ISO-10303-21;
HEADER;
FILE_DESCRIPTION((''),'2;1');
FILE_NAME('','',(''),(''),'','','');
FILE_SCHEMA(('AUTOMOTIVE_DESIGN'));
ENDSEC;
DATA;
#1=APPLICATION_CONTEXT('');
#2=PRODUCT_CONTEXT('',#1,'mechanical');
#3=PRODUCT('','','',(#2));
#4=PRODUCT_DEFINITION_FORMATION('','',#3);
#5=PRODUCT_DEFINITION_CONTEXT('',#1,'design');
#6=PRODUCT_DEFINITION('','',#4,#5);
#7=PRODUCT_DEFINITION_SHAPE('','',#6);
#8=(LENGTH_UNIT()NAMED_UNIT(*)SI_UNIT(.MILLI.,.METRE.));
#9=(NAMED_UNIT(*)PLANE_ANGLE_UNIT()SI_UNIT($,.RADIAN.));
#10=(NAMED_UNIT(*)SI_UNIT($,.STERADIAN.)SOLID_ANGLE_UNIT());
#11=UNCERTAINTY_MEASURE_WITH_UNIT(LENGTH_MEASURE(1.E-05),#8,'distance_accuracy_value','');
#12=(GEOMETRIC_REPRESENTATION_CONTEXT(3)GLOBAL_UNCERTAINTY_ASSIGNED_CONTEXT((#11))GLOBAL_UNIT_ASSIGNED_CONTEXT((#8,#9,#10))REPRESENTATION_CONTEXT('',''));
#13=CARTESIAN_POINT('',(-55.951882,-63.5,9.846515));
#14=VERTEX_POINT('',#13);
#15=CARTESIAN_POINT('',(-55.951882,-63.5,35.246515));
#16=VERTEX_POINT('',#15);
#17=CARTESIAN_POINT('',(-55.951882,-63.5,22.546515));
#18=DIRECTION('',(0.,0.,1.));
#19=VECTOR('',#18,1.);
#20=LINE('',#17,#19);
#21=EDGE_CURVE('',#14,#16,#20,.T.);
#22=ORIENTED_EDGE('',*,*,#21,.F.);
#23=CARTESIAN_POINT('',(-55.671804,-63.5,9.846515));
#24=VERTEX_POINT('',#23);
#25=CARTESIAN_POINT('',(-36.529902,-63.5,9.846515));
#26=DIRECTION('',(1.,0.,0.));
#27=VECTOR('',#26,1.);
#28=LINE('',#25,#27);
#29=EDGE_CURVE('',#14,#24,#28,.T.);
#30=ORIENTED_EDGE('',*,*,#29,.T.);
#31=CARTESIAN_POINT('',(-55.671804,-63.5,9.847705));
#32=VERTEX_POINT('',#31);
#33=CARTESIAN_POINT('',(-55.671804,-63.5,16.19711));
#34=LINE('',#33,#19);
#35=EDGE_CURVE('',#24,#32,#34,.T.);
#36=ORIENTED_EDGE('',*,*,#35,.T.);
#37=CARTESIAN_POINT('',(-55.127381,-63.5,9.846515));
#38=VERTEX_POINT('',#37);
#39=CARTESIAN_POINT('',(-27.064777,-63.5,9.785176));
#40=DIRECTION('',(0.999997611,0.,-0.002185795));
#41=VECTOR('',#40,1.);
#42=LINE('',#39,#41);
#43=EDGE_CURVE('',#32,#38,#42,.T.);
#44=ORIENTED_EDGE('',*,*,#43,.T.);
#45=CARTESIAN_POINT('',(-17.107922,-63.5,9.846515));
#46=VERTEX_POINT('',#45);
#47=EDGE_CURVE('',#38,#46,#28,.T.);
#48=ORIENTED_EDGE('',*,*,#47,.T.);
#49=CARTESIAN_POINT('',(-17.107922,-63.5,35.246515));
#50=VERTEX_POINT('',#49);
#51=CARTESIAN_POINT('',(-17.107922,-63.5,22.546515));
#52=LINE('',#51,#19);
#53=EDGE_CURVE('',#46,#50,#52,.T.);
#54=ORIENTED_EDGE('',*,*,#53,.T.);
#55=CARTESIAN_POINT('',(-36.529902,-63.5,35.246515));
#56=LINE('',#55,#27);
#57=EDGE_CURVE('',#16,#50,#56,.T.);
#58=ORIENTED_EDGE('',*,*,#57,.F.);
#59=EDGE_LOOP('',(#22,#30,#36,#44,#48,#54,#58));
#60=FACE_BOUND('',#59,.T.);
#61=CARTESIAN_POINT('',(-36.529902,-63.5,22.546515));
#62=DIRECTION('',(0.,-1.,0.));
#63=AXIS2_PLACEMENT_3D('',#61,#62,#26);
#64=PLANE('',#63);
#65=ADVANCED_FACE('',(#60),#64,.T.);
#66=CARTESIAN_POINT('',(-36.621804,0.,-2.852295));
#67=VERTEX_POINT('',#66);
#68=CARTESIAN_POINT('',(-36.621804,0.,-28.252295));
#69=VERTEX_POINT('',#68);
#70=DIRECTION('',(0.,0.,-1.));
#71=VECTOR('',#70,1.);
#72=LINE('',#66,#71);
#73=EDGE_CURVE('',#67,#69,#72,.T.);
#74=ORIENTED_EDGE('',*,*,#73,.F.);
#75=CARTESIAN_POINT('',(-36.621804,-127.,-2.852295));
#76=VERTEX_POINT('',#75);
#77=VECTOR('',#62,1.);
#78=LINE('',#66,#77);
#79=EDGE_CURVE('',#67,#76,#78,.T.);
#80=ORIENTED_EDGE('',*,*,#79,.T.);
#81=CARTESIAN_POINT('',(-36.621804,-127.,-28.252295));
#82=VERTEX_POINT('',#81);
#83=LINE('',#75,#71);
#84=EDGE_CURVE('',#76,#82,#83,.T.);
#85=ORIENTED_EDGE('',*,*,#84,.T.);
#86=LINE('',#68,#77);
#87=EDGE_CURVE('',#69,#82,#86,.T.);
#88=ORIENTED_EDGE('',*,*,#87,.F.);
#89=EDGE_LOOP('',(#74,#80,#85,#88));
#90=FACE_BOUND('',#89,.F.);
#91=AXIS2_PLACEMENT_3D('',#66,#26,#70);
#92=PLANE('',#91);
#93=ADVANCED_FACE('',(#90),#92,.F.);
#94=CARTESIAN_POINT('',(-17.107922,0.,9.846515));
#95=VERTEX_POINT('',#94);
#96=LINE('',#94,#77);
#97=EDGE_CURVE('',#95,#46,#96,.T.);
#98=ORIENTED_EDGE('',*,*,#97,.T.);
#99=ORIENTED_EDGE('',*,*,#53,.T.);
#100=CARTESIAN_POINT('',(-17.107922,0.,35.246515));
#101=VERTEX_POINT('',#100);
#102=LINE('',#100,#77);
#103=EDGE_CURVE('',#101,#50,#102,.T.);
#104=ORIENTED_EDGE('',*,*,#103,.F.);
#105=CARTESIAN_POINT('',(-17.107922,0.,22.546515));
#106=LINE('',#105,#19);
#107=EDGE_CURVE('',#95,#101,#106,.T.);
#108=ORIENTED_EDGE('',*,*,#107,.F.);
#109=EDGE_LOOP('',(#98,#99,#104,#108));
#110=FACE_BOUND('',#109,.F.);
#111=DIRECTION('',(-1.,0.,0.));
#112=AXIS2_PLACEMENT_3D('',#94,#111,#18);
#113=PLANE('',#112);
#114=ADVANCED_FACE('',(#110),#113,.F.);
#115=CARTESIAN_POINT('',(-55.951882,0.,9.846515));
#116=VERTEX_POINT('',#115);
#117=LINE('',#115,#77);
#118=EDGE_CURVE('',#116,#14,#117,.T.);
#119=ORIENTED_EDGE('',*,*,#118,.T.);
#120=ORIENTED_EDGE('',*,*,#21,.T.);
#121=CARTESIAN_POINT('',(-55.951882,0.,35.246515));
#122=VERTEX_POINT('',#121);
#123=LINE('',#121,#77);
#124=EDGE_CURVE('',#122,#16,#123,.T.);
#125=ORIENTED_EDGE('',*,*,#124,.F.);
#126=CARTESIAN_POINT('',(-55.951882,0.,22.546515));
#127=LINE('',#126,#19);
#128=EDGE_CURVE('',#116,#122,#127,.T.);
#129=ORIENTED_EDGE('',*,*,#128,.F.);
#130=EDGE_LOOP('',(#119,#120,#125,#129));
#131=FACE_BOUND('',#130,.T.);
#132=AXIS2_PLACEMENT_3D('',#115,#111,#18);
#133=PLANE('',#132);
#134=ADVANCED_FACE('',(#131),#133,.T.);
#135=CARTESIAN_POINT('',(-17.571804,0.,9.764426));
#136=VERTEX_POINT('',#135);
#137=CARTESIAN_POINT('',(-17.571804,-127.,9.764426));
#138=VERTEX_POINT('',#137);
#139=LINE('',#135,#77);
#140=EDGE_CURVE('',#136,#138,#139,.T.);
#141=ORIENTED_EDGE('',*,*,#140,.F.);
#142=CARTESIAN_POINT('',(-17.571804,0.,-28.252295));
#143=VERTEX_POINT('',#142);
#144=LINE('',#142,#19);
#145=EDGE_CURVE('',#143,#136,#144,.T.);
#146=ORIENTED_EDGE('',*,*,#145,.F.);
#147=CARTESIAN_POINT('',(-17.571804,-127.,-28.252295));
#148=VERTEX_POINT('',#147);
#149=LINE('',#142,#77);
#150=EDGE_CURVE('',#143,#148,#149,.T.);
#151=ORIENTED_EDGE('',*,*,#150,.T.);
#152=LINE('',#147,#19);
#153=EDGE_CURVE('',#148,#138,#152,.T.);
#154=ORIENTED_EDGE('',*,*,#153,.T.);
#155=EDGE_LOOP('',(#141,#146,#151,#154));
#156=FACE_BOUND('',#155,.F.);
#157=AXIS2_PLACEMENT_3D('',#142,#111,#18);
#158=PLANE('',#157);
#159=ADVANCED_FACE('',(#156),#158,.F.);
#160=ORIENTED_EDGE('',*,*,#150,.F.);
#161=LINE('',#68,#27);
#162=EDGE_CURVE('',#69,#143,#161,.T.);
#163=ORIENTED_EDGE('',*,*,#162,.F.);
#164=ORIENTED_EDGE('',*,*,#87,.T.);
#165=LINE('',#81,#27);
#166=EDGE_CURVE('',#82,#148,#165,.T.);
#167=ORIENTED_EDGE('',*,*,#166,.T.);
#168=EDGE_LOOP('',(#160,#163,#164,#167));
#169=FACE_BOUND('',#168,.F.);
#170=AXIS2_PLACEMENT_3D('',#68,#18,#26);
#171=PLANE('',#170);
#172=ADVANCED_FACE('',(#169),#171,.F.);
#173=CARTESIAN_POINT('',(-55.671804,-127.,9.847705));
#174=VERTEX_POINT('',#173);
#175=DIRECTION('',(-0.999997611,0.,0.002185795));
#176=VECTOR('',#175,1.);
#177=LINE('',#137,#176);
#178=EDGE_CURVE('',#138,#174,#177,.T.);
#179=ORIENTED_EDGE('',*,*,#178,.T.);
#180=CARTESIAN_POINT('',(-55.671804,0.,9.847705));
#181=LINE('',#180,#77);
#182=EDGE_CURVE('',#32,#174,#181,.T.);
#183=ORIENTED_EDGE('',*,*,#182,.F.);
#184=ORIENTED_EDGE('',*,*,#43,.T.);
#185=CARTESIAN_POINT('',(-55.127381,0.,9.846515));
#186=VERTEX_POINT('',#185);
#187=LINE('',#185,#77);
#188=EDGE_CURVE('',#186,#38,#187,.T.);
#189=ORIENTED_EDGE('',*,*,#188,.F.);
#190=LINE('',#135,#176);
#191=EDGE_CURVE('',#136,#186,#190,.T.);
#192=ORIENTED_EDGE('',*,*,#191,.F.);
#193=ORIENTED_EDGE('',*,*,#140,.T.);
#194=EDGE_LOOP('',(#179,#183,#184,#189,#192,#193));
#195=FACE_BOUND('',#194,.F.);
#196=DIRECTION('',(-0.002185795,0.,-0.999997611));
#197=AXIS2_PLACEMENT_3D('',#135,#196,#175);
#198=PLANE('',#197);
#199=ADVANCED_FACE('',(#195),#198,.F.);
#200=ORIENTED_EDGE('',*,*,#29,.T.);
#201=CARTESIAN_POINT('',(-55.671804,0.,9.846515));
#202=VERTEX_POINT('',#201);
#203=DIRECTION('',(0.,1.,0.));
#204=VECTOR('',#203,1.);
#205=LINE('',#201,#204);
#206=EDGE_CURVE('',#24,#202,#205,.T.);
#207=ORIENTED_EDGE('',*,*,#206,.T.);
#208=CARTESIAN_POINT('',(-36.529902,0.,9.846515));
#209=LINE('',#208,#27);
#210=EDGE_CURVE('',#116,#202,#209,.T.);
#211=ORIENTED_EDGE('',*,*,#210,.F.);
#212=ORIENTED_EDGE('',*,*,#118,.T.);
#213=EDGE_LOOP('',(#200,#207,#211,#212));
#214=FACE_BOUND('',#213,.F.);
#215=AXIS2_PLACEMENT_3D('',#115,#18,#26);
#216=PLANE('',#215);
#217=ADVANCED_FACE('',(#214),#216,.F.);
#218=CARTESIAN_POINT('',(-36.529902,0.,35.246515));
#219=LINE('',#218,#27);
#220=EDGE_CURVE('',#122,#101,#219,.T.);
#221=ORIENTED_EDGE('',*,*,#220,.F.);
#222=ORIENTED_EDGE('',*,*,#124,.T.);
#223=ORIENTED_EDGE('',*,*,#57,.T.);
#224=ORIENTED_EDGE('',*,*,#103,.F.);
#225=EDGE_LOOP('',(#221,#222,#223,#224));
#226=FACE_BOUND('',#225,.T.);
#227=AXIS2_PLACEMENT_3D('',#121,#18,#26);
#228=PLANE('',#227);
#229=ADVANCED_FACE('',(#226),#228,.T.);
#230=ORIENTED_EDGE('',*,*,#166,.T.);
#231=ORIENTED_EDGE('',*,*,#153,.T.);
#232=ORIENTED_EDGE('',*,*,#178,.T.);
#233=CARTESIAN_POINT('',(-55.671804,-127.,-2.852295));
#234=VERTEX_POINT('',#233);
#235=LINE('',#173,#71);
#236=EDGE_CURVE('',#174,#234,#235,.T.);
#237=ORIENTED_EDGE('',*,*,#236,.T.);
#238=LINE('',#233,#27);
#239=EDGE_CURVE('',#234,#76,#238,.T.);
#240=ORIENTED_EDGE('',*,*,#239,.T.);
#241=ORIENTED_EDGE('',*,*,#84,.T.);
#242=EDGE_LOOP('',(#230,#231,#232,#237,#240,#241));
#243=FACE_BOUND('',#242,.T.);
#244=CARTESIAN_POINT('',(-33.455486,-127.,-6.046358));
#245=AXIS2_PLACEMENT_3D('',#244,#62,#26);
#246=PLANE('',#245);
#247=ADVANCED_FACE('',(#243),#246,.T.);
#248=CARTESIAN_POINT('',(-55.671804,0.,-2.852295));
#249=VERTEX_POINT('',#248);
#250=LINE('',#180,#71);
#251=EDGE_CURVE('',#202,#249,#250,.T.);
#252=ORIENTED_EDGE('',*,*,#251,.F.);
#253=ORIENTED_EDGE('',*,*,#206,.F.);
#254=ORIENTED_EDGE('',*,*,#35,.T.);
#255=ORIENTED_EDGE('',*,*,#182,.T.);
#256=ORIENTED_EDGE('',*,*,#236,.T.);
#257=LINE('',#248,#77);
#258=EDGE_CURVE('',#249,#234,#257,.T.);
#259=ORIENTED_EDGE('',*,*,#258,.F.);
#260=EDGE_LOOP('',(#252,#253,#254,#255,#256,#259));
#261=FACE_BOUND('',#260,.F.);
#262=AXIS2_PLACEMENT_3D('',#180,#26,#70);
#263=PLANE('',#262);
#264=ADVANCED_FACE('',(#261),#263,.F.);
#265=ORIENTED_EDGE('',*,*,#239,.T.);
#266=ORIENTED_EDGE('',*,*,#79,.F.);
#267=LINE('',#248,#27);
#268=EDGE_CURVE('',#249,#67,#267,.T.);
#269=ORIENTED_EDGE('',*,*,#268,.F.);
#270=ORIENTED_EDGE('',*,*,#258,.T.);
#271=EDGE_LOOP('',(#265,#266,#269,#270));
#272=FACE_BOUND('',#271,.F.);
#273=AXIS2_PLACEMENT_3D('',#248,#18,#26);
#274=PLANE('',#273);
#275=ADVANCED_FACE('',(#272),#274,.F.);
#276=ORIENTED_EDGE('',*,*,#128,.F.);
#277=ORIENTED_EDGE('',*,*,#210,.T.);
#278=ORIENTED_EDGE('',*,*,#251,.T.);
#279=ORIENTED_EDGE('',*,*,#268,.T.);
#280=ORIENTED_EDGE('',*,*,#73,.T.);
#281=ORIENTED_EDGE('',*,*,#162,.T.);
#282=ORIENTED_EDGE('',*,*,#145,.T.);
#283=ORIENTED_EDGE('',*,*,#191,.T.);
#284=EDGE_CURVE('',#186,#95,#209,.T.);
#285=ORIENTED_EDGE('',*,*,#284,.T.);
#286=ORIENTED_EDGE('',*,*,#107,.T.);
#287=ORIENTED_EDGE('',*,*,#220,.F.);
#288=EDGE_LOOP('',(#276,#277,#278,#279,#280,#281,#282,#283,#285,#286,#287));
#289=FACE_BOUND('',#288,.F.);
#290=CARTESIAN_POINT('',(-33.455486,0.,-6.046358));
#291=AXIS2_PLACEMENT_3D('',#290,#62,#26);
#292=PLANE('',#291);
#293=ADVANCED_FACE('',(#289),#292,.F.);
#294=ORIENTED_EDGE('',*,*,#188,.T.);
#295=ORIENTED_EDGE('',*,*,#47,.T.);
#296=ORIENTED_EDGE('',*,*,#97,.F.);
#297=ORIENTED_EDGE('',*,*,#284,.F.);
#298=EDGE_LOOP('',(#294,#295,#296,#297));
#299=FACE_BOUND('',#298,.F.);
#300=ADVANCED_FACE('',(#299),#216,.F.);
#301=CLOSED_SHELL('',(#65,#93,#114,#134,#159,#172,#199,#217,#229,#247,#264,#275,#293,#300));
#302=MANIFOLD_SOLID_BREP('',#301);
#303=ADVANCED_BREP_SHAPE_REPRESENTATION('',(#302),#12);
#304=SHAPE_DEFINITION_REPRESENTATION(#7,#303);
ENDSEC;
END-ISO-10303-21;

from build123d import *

# Parameters (mm, degrees)
F0_W     = 38.84396
F0_H     = 25.4
F1_DEPTH = 63.5
F3_DEPTH = 127


with BuildPart() as f1:
    # F0 (on Front) → F1 (new body)
    with BuildSketch(Plane.XZ):
        with Locations((-36.529902, 22.546515)):
            Rectangle(F0_W, F0_H)
    extrude(amount=F1_DEPTH)

    # F2 (on Front) → F3 (join)
    with BuildSketch(Plane.XZ):
        Polygon((-17.571804, 9.764426), (-55.671804, 9.847705), (-55.671804, -2.852295), (-36.621804, -2.852295), (-36.621804, -28.252295), (-17.571804, -28.252295), align=None)
    extrude(amount=F3_DEPTH)


solid = f1.part
